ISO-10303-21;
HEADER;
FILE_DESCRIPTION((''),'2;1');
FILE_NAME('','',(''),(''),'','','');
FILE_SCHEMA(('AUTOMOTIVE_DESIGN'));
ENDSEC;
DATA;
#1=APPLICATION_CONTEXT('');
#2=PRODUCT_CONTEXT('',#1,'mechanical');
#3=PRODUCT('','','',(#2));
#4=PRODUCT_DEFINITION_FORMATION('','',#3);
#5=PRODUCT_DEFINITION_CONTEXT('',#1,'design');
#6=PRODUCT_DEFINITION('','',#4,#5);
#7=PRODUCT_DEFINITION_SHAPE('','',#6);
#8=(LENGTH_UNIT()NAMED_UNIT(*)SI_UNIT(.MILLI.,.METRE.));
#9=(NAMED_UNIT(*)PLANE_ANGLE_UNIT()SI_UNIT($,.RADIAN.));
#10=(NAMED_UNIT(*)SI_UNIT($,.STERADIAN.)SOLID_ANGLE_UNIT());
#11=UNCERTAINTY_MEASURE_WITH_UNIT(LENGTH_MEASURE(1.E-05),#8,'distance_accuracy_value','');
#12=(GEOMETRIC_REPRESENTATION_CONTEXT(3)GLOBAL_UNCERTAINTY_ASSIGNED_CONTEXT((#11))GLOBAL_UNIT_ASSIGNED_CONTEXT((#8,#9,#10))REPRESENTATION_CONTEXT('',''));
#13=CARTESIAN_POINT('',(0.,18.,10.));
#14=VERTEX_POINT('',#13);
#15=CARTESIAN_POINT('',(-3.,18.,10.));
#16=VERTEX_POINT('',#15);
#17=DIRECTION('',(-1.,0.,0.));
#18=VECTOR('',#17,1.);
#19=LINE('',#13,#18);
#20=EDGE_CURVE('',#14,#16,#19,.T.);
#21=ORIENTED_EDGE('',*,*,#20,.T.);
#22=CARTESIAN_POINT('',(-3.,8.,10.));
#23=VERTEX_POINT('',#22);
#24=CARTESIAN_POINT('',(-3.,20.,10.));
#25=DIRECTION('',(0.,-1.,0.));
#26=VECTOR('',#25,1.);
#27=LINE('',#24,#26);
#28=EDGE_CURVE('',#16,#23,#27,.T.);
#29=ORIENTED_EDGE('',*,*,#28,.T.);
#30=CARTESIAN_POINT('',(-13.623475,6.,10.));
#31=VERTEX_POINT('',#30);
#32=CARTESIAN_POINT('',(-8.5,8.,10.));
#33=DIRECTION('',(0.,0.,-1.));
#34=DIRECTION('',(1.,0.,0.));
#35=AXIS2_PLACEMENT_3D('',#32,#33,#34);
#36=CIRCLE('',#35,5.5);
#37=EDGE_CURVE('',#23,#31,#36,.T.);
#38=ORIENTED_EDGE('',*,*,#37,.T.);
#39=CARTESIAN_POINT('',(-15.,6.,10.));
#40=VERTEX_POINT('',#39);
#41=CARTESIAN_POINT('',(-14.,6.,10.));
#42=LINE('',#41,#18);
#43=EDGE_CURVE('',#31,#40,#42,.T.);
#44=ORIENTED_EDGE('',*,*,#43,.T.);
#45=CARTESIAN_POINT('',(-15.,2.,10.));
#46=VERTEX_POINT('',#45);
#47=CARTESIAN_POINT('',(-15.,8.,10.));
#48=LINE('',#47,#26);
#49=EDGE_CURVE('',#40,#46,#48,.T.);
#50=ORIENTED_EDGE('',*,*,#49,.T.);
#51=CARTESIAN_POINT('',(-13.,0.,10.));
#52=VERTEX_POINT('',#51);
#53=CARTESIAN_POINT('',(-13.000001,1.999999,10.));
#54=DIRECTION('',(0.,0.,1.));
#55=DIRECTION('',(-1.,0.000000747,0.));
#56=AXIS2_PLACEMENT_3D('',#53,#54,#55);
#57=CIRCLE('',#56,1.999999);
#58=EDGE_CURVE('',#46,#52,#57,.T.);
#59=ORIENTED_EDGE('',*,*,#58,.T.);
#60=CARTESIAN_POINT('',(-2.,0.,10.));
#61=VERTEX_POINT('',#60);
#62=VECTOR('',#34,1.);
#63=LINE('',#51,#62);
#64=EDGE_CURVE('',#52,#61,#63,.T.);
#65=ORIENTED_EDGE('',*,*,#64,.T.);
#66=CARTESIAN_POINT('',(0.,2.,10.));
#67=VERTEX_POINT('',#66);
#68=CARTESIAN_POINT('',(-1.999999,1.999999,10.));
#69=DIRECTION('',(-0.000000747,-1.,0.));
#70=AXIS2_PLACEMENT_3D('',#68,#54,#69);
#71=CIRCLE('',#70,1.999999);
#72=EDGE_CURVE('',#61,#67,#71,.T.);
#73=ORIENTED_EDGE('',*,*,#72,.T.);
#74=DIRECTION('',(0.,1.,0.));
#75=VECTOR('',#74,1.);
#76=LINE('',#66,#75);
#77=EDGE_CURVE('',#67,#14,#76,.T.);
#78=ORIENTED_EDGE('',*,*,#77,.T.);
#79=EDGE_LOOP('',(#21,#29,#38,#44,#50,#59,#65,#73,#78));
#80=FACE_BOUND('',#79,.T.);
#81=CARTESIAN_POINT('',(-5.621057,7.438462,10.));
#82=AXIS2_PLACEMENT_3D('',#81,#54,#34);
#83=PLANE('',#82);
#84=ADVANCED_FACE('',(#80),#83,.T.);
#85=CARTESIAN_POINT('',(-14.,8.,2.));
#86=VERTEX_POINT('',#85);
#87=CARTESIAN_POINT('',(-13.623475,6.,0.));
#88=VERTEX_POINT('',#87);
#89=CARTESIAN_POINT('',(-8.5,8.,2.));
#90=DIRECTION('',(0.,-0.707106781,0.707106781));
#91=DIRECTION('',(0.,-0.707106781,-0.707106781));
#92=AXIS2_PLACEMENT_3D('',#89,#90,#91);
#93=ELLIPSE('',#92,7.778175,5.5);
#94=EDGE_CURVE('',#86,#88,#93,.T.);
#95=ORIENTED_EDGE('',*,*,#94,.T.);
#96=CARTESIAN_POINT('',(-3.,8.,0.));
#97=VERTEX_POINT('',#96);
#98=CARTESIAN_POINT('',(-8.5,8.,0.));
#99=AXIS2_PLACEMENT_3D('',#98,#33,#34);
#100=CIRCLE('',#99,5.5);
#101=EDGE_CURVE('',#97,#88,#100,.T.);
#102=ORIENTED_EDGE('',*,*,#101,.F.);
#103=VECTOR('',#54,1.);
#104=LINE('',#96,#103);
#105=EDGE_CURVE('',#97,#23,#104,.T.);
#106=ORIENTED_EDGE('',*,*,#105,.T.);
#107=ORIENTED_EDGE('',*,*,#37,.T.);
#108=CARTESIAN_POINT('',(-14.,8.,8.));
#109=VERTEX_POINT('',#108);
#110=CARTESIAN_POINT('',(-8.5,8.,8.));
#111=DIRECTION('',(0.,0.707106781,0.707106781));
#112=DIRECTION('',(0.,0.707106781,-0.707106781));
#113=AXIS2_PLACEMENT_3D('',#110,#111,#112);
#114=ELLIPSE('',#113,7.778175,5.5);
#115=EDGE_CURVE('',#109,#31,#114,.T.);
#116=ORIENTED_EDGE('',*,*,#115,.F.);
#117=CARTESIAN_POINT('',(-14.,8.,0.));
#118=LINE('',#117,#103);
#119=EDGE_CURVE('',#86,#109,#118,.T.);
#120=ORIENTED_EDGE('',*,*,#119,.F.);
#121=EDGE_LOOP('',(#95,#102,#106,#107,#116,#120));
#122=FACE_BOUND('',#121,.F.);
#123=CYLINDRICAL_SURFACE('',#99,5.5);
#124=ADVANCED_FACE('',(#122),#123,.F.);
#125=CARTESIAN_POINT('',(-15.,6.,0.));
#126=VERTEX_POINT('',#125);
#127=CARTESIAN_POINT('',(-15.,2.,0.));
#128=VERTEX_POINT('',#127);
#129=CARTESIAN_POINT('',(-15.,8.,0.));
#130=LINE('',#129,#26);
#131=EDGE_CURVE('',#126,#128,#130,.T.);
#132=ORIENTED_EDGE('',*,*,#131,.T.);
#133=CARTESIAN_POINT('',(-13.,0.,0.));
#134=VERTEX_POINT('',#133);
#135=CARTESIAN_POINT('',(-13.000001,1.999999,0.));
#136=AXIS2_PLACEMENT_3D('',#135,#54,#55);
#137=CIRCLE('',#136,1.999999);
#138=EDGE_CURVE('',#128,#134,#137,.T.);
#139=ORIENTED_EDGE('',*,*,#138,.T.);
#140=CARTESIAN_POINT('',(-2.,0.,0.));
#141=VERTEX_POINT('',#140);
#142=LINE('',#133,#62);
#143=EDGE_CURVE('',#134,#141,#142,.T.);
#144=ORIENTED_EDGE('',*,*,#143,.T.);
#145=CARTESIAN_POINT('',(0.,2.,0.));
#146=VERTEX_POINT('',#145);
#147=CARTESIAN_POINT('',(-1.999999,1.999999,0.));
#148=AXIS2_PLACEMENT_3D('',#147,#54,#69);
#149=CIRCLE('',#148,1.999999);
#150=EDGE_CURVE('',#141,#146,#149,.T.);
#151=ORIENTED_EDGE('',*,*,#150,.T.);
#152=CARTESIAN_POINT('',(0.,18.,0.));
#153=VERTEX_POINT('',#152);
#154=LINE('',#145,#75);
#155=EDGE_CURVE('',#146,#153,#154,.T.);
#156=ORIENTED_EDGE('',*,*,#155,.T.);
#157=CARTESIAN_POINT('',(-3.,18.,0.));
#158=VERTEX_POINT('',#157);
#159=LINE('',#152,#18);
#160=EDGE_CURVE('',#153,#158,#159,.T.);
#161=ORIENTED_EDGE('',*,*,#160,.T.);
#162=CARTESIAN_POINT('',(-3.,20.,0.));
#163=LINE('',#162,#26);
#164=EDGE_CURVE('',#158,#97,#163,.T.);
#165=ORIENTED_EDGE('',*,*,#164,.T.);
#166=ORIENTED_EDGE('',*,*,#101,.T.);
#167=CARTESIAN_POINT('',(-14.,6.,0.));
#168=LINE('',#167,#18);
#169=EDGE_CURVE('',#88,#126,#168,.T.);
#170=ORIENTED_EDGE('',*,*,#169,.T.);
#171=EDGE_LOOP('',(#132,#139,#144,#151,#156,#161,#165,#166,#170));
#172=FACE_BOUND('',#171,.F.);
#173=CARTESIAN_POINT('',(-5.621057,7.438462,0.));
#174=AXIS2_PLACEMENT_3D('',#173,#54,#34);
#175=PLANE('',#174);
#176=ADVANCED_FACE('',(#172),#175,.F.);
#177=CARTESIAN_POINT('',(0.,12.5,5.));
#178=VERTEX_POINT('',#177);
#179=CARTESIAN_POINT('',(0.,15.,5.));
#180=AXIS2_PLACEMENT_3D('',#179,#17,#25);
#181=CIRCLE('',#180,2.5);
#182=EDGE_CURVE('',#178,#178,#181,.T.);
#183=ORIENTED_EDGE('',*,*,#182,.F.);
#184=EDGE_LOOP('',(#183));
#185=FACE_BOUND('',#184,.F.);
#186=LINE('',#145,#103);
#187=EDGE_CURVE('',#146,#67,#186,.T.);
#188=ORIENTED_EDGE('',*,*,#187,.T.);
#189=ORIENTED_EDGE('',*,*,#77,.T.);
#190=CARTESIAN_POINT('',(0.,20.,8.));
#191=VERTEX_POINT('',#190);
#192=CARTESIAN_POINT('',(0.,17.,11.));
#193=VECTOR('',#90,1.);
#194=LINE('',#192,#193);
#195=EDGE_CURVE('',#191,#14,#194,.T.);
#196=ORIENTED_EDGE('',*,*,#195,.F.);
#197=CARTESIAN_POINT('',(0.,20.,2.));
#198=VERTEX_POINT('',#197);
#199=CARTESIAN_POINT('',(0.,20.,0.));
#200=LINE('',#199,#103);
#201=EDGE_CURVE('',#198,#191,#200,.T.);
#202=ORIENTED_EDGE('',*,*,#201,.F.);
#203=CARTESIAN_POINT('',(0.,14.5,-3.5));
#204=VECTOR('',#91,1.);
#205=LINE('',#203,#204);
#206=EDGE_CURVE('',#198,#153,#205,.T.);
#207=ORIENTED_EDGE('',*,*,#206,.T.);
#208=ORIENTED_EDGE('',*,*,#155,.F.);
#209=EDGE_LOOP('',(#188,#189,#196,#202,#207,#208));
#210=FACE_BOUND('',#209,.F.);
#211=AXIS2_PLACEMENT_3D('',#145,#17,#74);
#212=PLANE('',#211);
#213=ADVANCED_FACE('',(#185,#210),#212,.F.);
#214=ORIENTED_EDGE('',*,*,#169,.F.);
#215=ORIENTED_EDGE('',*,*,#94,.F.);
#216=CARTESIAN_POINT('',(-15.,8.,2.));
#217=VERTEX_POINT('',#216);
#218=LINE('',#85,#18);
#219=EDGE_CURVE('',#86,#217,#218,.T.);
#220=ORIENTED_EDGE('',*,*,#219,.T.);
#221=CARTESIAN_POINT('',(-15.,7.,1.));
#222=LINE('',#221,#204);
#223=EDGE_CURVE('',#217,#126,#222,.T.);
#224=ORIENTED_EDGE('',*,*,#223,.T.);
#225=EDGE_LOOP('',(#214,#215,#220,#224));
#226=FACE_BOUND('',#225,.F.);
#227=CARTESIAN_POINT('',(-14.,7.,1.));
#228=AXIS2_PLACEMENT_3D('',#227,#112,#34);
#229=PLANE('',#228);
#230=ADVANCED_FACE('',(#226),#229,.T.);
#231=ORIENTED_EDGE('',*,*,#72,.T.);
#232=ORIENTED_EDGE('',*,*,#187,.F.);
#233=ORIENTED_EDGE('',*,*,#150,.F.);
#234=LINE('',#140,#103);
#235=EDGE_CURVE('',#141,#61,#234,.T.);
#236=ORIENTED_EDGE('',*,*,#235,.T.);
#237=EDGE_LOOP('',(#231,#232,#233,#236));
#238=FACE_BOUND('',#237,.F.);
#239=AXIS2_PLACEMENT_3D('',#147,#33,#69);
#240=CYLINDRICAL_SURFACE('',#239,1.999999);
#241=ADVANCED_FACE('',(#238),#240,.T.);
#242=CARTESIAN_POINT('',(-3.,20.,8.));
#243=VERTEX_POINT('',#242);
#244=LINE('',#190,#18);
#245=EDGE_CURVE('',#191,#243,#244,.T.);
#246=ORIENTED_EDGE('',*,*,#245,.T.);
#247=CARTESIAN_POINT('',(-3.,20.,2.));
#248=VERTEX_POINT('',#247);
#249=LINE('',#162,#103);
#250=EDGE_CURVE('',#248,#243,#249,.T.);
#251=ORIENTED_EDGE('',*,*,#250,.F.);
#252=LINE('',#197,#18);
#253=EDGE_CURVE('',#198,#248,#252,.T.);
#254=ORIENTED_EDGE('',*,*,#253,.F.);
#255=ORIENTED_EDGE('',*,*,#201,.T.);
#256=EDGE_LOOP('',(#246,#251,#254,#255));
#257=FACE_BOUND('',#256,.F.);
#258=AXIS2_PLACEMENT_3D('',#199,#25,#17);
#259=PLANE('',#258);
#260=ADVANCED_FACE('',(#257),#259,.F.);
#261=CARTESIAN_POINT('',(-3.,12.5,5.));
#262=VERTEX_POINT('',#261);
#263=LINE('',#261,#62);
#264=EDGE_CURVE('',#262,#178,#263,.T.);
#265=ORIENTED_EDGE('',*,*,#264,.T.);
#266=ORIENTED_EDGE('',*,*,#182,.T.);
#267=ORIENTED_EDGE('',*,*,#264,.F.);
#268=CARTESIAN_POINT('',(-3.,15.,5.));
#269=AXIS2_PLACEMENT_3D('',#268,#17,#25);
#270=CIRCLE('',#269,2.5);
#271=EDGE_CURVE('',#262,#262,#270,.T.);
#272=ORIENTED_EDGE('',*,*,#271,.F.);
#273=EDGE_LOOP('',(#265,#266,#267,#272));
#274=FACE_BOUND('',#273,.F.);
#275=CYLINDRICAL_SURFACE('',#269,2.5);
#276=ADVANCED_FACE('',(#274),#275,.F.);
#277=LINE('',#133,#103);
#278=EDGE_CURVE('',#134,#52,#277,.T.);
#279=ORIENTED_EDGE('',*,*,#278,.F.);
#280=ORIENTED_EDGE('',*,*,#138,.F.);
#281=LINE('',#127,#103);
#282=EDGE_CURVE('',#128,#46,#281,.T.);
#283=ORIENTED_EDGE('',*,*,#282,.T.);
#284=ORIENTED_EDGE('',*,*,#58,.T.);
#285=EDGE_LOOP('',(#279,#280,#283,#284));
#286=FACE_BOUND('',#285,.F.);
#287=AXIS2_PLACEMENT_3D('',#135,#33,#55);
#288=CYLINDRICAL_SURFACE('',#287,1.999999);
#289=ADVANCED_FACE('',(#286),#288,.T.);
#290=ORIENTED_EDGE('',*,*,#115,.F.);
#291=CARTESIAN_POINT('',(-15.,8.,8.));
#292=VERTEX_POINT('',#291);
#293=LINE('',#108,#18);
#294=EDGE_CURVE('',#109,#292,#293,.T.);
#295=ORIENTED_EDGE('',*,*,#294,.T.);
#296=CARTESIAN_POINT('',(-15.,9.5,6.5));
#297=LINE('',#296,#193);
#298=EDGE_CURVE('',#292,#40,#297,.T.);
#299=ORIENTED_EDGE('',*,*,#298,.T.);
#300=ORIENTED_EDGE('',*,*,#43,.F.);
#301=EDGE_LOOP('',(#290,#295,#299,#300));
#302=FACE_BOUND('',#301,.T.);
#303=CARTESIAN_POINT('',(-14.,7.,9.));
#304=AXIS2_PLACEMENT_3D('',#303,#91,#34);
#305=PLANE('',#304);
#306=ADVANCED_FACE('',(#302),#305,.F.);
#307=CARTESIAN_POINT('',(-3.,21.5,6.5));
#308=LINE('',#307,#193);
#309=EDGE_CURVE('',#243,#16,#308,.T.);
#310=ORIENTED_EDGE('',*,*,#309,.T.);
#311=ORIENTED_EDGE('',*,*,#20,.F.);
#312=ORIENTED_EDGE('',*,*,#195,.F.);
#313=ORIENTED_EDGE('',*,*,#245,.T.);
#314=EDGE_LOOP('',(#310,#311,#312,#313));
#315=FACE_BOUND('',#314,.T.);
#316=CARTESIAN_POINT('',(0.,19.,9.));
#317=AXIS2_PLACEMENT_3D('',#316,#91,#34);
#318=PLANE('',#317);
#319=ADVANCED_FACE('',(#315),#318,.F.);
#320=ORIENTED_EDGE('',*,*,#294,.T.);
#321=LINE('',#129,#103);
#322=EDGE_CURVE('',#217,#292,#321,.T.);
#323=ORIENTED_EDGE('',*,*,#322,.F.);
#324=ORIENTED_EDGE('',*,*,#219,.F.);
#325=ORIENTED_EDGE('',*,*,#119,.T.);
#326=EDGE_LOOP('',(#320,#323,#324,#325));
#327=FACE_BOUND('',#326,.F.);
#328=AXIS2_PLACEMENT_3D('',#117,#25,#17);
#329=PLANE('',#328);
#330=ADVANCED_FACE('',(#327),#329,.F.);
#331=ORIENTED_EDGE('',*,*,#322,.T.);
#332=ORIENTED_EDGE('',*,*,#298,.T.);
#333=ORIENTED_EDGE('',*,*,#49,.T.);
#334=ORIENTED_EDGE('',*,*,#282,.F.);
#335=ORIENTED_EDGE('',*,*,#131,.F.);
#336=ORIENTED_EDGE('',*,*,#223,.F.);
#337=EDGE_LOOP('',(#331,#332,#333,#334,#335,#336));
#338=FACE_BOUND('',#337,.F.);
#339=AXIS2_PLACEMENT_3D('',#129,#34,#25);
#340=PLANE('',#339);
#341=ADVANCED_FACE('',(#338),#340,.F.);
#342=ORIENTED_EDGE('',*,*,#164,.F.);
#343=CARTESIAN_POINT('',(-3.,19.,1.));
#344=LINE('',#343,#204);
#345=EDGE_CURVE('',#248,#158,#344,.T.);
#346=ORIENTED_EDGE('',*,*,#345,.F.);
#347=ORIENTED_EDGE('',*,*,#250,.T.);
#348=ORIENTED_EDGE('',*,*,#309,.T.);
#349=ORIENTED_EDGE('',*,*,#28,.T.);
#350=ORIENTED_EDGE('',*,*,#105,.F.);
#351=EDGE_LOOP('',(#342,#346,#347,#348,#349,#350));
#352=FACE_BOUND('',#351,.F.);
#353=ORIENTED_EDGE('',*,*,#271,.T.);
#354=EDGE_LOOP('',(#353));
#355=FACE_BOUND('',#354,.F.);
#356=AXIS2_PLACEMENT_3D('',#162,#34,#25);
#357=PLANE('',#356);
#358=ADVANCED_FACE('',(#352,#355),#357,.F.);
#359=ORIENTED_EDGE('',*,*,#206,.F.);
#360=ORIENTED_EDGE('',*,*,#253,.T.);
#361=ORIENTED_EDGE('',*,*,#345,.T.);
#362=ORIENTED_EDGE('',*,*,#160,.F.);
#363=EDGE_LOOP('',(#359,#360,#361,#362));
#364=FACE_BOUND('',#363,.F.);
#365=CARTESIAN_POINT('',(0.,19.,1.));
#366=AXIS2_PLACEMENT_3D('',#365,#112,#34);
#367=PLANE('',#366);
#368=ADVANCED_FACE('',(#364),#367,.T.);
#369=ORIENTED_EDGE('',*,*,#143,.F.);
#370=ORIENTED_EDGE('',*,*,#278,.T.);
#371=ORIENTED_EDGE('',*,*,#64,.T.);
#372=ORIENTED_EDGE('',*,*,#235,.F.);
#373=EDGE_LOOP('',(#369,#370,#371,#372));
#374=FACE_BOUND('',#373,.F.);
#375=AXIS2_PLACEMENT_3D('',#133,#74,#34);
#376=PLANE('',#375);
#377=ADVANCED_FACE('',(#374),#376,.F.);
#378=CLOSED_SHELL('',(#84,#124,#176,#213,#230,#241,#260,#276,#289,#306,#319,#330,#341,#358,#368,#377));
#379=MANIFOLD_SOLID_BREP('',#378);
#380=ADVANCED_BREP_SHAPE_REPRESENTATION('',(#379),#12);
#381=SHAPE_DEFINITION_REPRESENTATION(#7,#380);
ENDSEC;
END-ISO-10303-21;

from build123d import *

# Parameters (mm, degrees)
F1_DEPTH = 10
F2_SIZE  = 2
F3_R     = 2.5
F4_DEPTH = 25


with BuildPart() as f1:
    # F0 (on Top) → F1 (new body)
    with BuildSketch(Plane.XY):
        with BuildLine():
            ThreePointArc((-2, 0), (-0.585786, 0.585786), (0, 2))
            Line((0, 2), (0, 20))
            Line((0, 20), (-3, 20))
            Line((-3, 20), (-3, 8))
            ThreePointArc((-3, 8), (-8.5, 2.5), (-14, 8))
            Line((-14, 8), (-15, 8))
            Line((-15, 8), (-15, 2))
            ThreePointArc((-15, 2), (-14.414214, 0.585786), (-13, 0))
            Line((-13, 0), (-2, 0))
        make_face()
    extrude(amount=F1_DEPTH)

    # F2
    f2_edges = [f1.edges().sort_by_distance(p)[0] for p in [
        (-1.5, 20, 10),
        (-1.5, 20, 0),
        (-14.5, 8, 10),
        (-14.5, 8, 0),
    ]]
    chamfer(f2_edges, length=F2_SIZE)

    # F3 (on face) → F4 (cut)
    with BuildSketch(Plane(origin=(-3, 0, 0), x_dir=(0, -1, 0), z_dir=(-1, 0, 0))):
        with Locations((-15, 5)):
            Circle(F3_R)
    extrude(amount=-F4_DEPTH, mode=Mode.SUBTRACT)


solid = f1.part
